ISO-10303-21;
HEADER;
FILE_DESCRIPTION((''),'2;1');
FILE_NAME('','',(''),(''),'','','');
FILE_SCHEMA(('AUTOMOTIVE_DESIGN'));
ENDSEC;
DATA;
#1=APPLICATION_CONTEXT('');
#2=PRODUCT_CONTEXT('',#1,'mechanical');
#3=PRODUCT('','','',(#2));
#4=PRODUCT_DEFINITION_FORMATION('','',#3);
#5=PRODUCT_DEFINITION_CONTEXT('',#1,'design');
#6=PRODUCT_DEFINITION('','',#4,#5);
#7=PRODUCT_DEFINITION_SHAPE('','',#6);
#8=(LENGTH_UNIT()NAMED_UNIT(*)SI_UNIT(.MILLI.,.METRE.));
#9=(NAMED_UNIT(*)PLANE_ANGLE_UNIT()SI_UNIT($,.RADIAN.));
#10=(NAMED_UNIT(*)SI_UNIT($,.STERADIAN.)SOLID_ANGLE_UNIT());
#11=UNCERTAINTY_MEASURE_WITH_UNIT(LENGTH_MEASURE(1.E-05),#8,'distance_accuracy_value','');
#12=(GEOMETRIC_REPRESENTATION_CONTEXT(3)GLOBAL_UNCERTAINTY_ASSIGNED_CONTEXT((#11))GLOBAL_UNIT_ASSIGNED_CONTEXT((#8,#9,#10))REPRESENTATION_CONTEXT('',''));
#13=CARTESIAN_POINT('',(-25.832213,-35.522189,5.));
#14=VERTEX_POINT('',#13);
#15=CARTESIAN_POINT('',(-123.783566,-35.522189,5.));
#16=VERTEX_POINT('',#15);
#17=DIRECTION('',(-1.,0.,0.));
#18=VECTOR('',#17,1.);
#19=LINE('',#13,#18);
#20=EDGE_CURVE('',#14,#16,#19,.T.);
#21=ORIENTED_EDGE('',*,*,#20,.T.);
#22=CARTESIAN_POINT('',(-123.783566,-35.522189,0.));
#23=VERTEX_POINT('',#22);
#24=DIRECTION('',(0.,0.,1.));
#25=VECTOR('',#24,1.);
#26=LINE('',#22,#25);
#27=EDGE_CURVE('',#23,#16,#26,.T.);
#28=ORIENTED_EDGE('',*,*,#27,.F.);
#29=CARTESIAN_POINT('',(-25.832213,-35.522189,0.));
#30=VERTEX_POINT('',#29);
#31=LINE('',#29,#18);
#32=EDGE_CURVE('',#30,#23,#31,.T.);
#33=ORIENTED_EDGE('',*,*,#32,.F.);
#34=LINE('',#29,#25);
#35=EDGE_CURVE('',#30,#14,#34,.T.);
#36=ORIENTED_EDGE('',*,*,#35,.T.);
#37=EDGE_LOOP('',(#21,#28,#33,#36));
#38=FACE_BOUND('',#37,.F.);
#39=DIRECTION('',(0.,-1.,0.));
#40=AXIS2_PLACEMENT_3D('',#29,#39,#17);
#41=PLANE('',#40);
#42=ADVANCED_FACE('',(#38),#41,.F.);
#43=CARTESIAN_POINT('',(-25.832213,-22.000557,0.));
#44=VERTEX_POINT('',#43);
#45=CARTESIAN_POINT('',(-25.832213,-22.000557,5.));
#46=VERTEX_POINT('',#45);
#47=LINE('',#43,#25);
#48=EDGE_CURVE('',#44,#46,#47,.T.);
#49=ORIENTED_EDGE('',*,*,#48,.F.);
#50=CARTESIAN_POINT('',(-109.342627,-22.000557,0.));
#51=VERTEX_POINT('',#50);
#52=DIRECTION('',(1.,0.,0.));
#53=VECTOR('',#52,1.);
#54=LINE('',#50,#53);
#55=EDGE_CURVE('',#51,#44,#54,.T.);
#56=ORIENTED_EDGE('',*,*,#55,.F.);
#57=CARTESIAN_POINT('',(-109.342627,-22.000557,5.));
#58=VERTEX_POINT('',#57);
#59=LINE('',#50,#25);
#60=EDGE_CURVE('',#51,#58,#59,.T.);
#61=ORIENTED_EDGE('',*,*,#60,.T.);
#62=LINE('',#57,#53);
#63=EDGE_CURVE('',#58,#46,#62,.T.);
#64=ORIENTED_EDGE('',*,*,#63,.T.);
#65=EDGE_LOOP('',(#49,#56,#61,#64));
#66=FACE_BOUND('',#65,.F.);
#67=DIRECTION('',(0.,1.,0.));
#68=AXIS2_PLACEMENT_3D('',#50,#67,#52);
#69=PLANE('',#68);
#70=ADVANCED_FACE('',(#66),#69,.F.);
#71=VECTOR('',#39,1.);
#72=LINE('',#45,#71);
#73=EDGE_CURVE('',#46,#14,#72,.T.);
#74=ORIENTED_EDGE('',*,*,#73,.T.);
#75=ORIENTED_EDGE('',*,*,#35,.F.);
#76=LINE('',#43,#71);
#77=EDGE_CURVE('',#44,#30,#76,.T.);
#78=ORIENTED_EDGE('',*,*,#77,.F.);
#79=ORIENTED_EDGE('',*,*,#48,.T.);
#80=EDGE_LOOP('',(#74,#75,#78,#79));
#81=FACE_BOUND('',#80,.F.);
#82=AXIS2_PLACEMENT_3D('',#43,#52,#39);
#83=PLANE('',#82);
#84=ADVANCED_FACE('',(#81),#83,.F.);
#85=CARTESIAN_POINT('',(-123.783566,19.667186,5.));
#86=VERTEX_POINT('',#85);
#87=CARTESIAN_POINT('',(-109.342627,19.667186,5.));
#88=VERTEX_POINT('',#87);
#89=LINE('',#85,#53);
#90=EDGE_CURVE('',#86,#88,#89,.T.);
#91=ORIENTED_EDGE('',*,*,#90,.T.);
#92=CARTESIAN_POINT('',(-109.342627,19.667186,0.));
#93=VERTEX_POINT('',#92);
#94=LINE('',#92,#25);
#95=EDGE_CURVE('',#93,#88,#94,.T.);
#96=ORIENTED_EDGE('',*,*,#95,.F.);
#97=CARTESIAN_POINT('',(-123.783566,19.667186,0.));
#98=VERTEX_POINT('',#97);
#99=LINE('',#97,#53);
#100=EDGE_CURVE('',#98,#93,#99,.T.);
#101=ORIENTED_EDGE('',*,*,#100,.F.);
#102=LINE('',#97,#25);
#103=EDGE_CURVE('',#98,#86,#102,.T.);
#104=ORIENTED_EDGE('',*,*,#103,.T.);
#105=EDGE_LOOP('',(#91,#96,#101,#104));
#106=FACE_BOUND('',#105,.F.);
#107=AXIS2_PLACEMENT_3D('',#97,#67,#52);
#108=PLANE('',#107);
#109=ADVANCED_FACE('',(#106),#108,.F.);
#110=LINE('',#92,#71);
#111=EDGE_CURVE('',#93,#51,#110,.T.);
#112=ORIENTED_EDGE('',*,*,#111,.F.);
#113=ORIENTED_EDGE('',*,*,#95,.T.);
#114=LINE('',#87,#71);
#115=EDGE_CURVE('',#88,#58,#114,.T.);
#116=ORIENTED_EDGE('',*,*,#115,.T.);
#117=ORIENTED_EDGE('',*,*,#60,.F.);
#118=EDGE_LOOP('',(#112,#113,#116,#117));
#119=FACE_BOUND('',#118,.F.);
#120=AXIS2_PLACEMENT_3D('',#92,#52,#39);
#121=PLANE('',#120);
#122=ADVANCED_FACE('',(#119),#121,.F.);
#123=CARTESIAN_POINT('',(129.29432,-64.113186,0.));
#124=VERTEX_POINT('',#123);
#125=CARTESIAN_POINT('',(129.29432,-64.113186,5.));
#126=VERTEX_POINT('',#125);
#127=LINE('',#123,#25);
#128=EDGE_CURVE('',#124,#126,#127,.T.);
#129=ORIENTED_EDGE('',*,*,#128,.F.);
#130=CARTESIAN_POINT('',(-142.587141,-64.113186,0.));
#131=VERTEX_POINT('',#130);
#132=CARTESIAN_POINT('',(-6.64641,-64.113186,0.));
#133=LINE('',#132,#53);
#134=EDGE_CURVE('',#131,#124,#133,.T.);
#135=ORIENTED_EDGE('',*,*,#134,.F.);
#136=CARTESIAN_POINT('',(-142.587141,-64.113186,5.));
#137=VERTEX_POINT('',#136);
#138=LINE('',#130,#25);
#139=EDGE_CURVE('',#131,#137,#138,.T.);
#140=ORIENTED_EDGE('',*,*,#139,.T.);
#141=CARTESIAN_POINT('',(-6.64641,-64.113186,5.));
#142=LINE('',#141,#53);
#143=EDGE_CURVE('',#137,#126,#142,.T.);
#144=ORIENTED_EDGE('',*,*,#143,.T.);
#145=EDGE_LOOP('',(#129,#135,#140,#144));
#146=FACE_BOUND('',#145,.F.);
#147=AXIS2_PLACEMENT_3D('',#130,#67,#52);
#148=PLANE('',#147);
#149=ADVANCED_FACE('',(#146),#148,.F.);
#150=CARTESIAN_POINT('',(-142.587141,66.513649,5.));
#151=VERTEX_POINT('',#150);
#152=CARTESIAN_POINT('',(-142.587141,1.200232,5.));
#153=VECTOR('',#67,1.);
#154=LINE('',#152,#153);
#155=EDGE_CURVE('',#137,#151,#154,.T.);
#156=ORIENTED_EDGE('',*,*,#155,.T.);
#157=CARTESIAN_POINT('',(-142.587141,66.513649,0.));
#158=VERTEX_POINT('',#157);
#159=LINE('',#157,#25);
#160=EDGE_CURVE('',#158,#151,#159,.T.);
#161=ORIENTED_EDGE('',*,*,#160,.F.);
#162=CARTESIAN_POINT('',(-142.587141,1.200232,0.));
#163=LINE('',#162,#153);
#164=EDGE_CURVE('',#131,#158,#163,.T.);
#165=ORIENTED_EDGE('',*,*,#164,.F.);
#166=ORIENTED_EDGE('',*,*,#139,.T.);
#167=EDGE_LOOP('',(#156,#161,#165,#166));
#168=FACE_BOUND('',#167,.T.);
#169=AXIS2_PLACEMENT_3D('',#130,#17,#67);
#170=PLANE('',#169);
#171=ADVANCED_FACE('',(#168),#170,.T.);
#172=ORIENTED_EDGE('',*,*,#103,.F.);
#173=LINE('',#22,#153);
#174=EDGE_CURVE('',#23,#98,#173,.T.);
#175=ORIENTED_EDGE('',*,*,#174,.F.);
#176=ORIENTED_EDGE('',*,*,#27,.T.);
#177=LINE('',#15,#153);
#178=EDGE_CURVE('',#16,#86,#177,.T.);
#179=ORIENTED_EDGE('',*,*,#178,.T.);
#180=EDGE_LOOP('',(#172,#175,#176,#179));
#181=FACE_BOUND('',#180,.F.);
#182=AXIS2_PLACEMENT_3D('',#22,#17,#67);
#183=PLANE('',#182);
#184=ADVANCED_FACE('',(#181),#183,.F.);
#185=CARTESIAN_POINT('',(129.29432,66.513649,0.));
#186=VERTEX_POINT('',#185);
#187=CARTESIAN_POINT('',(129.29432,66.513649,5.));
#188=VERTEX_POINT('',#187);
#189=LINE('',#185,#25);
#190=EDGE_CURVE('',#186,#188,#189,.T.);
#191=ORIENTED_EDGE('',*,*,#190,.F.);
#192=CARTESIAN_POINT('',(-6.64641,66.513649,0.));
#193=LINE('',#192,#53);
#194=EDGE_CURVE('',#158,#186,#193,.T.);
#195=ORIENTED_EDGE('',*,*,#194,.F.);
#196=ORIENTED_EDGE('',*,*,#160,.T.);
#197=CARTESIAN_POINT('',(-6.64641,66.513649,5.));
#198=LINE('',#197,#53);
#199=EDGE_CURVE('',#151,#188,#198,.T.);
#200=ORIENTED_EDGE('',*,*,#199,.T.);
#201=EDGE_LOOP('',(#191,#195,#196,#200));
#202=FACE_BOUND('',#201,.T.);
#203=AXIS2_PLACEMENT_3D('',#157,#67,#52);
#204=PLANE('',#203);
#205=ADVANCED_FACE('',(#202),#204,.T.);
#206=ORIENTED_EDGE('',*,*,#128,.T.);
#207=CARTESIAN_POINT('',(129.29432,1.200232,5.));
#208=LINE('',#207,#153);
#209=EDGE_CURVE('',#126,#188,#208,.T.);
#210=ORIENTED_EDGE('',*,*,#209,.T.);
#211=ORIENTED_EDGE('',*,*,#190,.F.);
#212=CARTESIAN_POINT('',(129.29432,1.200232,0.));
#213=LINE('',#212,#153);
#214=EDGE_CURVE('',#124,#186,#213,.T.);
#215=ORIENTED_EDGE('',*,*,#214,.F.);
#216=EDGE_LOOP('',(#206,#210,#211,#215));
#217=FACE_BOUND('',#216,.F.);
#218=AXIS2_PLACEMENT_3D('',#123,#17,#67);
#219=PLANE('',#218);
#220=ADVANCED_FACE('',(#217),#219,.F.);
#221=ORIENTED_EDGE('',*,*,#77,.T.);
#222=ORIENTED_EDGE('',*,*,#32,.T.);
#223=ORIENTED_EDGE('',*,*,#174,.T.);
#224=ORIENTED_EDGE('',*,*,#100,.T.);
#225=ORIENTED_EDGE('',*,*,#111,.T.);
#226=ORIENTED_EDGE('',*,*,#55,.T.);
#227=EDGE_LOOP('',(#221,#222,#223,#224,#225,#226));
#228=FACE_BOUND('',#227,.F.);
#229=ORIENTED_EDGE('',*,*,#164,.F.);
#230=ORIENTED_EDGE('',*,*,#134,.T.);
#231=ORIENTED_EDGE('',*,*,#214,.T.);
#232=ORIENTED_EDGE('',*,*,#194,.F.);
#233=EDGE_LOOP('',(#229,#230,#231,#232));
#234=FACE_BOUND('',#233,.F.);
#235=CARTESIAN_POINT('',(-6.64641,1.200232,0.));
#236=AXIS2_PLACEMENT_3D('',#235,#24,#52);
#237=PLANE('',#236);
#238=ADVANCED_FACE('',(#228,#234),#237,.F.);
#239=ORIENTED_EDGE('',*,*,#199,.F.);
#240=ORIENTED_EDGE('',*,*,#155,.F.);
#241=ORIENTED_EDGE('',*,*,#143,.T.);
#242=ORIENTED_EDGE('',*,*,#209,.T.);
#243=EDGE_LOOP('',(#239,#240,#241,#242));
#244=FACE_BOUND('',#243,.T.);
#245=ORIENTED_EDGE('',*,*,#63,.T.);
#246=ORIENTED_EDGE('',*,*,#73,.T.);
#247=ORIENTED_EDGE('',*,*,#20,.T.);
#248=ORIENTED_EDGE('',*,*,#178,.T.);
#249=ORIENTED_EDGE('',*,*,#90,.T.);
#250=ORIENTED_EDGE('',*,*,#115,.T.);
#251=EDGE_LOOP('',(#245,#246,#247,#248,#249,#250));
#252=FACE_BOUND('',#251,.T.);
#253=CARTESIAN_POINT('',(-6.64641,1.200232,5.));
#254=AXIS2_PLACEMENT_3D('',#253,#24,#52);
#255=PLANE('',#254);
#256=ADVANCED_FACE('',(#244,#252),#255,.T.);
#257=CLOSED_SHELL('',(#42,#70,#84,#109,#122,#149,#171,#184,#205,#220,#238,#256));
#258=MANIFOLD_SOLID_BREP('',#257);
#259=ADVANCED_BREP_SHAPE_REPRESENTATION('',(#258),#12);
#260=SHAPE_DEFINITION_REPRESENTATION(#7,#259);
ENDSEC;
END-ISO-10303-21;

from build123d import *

# Parameters (mm, degrees)
F0_W     = 271.881461
F0_H     = 130.626835
F1_DEPTH = 5


with BuildPart() as f1:
    # F0 (on Top) → F1 (new body)
    with BuildSketch(Plane.XY):
        with Locations((-6.64641, 1.200232)):
            Rectangle(F0_W, F0_H)
        Polygon((-123.783566, -35.522189), (-123.783566, 19.667186), (-109.342627, 19.667186), (-109.342627, -22.000557), (-25.832213, -22.000557), (-25.832213, -35.522189), align=None, mode=Mode.SUBTRACT)
    extrude(amount=F1_DEPTH)


solid = f1.part
